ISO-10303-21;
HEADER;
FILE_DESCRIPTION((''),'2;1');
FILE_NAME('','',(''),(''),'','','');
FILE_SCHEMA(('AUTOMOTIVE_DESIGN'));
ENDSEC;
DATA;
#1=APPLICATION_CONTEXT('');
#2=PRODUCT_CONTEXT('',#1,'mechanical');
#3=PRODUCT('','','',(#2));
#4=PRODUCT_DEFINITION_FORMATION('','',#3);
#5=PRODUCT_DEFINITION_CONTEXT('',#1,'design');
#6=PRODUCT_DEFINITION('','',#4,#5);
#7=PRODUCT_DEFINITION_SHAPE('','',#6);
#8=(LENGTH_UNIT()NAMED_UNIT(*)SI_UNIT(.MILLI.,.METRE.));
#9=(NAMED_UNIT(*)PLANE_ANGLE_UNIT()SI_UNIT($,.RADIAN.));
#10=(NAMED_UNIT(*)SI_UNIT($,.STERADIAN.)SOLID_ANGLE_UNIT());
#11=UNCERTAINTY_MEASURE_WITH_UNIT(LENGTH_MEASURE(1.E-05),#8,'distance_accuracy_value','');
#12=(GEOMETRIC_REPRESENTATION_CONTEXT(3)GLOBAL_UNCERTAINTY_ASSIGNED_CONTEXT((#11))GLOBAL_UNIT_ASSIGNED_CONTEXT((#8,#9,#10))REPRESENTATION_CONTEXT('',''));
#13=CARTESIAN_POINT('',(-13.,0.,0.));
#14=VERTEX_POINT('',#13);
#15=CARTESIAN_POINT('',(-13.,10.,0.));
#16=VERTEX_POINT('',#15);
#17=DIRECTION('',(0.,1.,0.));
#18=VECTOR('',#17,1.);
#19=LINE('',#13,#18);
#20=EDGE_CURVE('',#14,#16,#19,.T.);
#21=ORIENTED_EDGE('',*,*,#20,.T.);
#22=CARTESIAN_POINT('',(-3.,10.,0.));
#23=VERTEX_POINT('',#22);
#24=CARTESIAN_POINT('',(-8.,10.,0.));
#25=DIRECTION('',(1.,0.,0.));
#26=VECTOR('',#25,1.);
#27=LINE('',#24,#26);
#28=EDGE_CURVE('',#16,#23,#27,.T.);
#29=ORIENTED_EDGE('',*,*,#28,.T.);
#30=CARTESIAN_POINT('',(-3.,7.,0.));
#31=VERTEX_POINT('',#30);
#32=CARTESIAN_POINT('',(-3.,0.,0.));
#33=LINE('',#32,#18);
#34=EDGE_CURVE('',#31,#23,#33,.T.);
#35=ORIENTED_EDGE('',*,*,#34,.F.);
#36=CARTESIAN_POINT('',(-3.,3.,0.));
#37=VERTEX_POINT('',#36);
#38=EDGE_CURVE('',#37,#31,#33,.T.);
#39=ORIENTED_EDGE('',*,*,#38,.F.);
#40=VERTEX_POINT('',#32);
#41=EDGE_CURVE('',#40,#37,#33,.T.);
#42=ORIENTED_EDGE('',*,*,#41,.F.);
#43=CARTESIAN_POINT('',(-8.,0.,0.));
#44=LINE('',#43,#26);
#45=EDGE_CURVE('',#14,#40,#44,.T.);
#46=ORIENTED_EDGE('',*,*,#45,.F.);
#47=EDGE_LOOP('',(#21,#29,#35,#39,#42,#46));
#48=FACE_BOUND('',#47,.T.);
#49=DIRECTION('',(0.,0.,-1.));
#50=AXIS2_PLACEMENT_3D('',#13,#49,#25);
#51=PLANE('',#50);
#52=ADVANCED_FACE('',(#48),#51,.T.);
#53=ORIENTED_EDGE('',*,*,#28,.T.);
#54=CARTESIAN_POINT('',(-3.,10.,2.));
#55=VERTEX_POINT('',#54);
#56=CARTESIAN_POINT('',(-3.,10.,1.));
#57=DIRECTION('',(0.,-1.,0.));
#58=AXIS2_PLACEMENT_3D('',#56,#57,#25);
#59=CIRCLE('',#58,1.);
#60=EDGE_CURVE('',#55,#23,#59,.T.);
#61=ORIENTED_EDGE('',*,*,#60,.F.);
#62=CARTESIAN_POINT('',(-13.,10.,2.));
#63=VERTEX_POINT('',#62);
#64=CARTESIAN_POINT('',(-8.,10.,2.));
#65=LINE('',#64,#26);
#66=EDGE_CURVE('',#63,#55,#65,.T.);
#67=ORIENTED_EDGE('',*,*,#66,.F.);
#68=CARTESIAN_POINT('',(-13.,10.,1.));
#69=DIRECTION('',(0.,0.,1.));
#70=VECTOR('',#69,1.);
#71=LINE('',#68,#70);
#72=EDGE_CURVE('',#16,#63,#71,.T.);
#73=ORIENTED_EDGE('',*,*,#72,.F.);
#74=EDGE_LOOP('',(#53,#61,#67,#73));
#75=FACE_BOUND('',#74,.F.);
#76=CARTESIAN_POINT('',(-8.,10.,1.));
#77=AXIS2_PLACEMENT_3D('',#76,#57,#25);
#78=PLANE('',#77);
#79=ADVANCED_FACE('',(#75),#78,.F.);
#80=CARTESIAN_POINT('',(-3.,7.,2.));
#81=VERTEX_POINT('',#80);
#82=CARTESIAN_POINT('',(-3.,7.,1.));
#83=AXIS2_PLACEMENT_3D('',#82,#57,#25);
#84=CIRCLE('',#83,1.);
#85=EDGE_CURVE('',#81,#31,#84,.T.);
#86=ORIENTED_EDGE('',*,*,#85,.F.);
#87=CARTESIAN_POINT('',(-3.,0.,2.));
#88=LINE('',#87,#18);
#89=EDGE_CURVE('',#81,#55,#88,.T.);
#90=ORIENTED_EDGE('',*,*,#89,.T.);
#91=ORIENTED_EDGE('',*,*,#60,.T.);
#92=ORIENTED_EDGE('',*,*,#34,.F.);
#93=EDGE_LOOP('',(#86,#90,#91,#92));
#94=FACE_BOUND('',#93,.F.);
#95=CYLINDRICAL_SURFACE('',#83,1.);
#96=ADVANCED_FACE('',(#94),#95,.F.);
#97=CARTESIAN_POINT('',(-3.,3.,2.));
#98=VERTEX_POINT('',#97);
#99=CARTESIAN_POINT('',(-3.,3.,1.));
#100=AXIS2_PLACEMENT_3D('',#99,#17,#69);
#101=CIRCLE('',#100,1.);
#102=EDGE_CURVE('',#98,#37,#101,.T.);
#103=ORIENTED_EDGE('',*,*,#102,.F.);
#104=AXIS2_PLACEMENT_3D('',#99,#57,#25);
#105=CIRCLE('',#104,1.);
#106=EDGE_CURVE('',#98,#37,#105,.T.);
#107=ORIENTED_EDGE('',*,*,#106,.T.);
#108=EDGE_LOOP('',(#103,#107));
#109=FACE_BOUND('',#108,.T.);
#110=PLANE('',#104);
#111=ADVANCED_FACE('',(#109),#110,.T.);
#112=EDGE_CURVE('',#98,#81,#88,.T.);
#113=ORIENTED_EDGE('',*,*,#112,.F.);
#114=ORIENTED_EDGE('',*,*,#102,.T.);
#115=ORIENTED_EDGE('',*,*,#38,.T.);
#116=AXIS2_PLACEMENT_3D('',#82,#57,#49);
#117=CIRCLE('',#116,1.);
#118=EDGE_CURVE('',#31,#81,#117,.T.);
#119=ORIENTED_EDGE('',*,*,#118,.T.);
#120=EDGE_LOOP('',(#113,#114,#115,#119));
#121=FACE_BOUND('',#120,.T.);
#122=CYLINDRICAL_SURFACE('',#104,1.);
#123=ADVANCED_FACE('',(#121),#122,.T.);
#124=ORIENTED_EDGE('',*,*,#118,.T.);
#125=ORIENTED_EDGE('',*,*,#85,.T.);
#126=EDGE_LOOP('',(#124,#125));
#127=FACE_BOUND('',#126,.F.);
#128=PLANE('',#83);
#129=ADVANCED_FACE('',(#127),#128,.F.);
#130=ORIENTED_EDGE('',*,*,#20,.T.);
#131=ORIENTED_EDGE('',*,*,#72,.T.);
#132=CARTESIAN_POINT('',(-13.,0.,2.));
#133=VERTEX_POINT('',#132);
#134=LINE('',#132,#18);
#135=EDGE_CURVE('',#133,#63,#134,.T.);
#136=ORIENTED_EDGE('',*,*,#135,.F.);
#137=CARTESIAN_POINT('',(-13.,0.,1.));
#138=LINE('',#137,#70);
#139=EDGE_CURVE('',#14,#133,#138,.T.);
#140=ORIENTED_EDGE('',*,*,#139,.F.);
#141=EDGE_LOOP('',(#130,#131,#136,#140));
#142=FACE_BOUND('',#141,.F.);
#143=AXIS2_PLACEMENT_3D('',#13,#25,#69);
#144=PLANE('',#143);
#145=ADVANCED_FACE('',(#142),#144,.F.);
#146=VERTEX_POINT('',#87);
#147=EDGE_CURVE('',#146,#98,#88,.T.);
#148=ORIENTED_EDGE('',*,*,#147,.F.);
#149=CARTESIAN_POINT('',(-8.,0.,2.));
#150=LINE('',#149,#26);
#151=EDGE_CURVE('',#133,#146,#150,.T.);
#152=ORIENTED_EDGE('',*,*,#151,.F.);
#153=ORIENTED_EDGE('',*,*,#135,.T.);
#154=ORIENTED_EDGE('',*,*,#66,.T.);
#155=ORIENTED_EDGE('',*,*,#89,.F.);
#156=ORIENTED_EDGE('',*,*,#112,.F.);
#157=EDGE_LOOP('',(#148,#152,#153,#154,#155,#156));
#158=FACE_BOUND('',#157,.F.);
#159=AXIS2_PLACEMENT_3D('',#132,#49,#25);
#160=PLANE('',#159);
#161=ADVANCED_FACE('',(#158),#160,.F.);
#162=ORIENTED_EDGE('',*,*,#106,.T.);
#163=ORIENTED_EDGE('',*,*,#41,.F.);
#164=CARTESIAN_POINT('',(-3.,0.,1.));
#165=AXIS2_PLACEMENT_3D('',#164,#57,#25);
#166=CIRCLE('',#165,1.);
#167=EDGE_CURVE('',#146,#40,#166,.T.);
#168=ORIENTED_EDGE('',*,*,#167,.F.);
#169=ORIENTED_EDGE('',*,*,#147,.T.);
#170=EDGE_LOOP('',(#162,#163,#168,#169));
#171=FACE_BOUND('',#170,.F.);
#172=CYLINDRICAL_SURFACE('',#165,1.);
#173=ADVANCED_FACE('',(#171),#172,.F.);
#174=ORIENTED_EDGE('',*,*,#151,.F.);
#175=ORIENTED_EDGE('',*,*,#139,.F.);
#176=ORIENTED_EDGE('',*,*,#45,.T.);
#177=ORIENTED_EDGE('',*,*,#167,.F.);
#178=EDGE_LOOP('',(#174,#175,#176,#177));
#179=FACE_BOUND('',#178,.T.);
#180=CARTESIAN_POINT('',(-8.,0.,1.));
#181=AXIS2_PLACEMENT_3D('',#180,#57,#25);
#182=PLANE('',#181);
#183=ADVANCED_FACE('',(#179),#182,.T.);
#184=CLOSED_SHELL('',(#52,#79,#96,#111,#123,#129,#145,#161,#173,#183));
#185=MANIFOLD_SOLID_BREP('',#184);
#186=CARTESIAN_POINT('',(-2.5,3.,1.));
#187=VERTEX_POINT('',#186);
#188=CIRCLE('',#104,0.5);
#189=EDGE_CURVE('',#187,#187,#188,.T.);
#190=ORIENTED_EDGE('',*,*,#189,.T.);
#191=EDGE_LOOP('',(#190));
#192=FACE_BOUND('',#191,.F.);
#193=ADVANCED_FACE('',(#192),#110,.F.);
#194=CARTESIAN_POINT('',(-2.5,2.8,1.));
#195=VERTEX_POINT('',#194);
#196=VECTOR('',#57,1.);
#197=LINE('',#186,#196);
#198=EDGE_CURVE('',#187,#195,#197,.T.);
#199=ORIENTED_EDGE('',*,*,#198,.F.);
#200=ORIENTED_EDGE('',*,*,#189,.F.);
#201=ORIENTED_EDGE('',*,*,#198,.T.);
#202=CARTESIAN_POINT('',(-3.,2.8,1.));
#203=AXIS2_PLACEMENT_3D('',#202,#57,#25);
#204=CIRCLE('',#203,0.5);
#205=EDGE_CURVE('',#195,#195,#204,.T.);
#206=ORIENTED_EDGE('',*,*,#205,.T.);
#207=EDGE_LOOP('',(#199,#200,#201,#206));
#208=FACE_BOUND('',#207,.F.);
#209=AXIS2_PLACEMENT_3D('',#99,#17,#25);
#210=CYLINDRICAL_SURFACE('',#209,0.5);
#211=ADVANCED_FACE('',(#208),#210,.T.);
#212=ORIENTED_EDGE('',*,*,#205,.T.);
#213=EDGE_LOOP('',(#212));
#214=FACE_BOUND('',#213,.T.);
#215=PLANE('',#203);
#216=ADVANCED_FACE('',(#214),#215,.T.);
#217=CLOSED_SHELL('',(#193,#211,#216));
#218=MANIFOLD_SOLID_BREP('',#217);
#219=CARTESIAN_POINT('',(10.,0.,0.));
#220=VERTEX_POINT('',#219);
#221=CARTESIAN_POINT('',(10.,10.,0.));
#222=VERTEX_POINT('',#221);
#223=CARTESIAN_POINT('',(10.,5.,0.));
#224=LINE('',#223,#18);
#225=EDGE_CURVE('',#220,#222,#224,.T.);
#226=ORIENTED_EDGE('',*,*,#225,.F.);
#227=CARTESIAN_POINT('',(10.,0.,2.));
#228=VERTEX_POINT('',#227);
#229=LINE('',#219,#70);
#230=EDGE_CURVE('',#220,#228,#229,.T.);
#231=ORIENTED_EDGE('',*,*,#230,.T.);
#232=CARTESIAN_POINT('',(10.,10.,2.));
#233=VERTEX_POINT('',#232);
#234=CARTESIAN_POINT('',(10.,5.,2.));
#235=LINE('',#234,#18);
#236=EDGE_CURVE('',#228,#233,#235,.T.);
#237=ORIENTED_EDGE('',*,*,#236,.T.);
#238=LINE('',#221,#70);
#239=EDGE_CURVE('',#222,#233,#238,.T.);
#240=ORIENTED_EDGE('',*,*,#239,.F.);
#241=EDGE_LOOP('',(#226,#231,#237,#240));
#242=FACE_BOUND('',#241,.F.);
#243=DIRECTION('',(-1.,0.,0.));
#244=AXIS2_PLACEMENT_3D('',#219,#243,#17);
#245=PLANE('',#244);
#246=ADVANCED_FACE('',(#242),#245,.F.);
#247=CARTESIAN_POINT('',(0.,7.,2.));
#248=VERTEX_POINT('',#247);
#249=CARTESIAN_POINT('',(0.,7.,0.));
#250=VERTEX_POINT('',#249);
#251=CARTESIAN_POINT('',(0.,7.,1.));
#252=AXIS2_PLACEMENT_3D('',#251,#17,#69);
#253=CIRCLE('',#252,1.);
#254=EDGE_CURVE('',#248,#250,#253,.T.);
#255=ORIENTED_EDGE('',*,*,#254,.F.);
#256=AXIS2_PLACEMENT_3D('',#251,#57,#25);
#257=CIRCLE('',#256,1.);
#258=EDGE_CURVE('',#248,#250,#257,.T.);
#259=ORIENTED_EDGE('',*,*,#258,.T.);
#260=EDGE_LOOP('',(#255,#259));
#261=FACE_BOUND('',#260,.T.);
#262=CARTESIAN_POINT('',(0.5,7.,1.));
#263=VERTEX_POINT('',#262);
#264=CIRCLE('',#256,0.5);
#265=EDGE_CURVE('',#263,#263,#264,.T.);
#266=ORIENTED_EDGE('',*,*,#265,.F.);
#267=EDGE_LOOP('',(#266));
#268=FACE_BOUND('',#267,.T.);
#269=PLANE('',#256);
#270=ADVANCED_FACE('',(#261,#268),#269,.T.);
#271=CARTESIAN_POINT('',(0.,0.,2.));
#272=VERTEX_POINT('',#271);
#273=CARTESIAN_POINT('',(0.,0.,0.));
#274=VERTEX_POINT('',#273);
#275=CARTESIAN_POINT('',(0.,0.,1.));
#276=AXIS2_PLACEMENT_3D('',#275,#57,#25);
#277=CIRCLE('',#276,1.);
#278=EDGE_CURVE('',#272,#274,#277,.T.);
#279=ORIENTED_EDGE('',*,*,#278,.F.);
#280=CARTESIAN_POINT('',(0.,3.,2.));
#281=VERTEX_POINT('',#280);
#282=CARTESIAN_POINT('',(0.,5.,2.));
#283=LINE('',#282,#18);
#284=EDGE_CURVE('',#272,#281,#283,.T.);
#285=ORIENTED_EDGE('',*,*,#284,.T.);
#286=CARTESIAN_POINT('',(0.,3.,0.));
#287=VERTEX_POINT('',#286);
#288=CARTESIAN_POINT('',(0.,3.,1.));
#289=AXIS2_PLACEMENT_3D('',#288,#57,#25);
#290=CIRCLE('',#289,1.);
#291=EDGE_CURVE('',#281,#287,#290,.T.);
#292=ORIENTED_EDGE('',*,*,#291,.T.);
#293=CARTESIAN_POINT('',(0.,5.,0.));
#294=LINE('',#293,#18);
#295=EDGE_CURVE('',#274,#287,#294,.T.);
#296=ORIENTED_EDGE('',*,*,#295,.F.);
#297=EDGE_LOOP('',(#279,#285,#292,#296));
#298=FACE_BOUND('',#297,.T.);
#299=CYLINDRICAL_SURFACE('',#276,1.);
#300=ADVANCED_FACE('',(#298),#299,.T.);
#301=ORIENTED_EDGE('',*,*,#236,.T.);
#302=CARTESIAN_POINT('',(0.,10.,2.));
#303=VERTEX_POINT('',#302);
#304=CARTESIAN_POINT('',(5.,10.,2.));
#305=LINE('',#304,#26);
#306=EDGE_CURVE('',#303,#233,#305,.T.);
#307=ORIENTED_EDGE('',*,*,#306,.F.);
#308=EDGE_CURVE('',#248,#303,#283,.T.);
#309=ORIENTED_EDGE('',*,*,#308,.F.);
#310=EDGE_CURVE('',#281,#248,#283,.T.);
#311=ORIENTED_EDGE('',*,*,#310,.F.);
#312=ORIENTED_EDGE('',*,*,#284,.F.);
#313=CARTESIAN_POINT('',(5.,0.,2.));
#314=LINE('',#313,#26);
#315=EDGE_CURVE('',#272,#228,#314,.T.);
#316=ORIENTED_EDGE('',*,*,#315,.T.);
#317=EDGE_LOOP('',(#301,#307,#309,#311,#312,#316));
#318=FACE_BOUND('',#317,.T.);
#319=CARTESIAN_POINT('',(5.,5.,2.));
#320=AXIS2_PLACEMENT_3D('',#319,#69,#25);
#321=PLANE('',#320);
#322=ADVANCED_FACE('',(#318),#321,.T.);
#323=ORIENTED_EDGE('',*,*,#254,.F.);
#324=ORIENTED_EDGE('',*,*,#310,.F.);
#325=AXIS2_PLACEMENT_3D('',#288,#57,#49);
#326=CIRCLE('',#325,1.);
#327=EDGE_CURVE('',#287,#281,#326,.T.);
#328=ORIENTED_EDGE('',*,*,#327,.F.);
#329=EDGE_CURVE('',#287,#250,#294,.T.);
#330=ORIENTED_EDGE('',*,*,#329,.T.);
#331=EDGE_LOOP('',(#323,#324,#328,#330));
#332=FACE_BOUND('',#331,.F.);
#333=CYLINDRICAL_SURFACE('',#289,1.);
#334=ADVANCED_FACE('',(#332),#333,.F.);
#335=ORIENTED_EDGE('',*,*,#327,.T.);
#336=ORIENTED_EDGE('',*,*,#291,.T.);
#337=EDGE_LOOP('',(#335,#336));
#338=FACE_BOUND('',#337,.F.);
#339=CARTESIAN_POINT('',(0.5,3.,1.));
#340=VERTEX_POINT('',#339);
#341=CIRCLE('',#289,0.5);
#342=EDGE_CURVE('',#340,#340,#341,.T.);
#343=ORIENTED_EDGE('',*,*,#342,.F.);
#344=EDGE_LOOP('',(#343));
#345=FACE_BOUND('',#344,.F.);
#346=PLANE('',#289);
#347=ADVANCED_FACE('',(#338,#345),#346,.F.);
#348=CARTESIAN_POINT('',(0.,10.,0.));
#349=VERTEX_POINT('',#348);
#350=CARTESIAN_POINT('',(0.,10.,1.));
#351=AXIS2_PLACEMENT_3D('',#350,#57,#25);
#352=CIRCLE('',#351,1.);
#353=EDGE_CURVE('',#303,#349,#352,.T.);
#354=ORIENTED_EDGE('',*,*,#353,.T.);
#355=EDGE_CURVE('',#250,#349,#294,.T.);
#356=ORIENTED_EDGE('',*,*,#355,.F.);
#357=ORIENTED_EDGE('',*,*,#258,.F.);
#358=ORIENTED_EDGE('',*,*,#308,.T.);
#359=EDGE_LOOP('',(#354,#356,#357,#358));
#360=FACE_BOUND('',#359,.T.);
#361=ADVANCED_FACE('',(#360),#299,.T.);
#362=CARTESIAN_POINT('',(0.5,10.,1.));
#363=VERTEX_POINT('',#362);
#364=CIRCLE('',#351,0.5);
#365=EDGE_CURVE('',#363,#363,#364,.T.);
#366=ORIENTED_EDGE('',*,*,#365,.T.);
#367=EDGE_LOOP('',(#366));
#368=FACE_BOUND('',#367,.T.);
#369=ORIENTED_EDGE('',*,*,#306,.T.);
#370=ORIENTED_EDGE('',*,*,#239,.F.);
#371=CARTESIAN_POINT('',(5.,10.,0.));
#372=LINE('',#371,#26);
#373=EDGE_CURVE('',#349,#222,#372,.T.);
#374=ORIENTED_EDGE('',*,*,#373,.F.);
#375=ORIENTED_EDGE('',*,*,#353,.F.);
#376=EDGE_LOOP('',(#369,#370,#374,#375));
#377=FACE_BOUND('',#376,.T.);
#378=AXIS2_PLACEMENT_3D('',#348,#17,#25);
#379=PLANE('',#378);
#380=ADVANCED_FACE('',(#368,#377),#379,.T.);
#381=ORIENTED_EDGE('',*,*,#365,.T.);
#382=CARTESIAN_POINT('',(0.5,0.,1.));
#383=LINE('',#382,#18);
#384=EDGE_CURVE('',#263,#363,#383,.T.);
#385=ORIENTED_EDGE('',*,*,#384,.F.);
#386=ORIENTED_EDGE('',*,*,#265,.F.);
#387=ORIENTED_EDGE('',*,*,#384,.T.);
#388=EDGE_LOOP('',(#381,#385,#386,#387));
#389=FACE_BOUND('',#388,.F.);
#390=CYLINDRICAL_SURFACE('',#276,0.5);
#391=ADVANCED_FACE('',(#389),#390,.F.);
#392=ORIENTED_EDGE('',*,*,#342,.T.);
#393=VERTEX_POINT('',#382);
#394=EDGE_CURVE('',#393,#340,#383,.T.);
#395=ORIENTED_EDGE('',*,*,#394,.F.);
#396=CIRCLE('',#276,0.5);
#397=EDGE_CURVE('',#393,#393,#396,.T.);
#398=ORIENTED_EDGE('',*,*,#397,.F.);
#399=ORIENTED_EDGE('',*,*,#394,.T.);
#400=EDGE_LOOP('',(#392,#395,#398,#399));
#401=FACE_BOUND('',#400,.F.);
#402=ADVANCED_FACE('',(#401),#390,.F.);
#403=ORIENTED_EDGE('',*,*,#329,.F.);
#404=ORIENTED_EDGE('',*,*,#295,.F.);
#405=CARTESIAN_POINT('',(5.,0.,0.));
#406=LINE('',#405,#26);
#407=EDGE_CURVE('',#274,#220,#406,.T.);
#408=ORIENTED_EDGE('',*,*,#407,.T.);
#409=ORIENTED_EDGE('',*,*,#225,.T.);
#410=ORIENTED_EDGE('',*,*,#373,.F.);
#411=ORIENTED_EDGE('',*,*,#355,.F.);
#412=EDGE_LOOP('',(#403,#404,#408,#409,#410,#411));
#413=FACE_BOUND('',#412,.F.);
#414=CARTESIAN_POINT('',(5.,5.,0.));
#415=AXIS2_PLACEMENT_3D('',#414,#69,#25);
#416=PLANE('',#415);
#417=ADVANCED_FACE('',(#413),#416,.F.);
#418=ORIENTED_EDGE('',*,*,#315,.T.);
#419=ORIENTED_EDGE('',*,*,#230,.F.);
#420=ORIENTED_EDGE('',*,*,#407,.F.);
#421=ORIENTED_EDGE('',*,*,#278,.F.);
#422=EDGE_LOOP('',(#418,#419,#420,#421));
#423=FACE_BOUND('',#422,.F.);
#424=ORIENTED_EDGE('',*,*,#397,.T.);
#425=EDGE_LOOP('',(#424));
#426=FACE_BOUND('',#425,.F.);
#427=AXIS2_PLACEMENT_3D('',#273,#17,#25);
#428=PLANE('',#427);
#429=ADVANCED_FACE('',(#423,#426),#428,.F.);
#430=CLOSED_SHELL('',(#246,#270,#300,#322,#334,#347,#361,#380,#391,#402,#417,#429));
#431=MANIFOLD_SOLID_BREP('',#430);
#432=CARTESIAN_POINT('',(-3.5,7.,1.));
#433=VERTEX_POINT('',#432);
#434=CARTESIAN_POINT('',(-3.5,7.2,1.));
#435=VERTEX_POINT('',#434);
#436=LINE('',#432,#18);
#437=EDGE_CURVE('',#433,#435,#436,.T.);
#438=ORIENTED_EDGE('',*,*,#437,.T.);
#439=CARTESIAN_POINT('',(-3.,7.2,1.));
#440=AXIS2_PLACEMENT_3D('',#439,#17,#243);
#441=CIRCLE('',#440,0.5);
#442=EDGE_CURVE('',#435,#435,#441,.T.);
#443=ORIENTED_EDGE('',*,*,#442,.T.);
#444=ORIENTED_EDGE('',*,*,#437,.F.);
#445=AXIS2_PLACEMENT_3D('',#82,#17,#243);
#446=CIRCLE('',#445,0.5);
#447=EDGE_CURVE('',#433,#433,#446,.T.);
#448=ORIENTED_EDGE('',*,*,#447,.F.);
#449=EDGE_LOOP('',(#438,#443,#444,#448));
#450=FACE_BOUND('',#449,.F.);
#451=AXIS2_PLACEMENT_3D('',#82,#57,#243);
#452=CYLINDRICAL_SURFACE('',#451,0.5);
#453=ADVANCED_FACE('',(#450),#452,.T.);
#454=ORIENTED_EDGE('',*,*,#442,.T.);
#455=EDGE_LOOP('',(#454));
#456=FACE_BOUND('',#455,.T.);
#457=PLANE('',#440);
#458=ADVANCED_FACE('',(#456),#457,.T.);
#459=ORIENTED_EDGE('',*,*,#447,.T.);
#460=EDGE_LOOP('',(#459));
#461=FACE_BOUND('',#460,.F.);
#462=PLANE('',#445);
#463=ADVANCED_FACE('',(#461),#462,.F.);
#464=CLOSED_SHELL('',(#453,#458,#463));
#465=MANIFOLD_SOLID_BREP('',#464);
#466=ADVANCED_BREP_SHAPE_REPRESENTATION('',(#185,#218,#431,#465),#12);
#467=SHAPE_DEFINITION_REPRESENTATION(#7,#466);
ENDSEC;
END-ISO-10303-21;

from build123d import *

# Parameters (mm, degrees)
SKETCH004_R         = 1
PAD004_DEPTH        = 3
SKETCH005_R         = 1
PAD005_DEPTH        = 3
SKETCH003_R         = 1
PAD003_DEPTH        = 4
SKETCH002_W         = 10
SKETCH002_H         = 2
PAD002_DEPTH        = 10
SKETCH007_R         = 0.5
PAD006_DEPTH        = 0.2
SKETCH008_R         = 0.5
PAD007_DEPTH        = 0.2
SKETCH001_R         = 1
SKETCH001_R_2       = 0.5
PAD_DEPTH           = 4
CYLINDER_R          = 1
CYLINDER_DEPTH      = 10
CYLINDER_ROLL_ANGLE = 90
BOX_W               = 10
BOX_H               = 10
BOX_DEPTH           = 2
SKETCH_R            = 1
SKETCH_R_2          = 0.5
PAD008_DEPTH        = 10


with BuildPart() as pad004:
    # Sketch004 → Pad004 (new body)
    with BuildSketch(Plane.XZ):
        with Locations((-3, 1)):
            Circle(SKETCH004_R)
    extrude(amount=-PAD004_DEPTH)


with BuildPart() as pad005:
    # Sketch005 → Pad005 (new body)
    with BuildSketch(Plane.XZ.offset(-7)):
        with Locations((-3, 1)):
            Circle(SKETCH005_R)
    extrude(amount=-PAD005_DEPTH)


with BuildPart() as pad003:
    # Sketch003 → Pad003 (new body)
    with BuildSketch(Plane.XZ.offset(-3)):
        with Locations((-3, 1)):
            Circle(SKETCH003_R)
    extrude(amount=-PAD003_DEPTH)


with BuildPart() as cut002:
    # Sketch002 → Pad002 (new body)
    with BuildSketch(Plane(origin=(-3, 0, 0), x_dir=(1, 0, 0), z_dir=(0, -1, 0))):
        with Locations((-5, 1)):
            Rectangle(SKETCH002_W, SKETCH002_H)
    extrude(amount=-PAD002_DEPTH)

    # Fusion001: union Pad003
    add(pad003.part)

    # Cut001: cut Pad005
    add(pad005.part, mode=Mode.SUBTRACT)

    # Cut002: cut Pad004
    add(pad004.part, mode=Mode.SUBTRACT)


with BuildPart() as pad006:
    # Sketch007 → Pad006 (new body)
    with BuildSketch(Plane.XZ.offset(-3)):
        with Locations((-3, 1)):
            Circle(SKETCH007_R)
    extrude(amount=PAD006_DEPTH)


with BuildPart() as pad007:
    # Sketch008 → Pad007 (new body)
    with BuildSketch(Plane(origin=(0, 7, 0), x_dir=(-1, 0, 0), z_dir=(0, 1, 0))):
        with Locations((3, 1)):
            Circle(SKETCH008_R)
    extrude(amount=PAD007_DEPTH)


with BuildPart() as pad:
    # Sketch001 → Pad (new body)
    with BuildSketch(Plane.XZ.offset(-3)):
        with Locations((0, 1)):
            Circle(SKETCH001_R)
        with Locations((0, 1)):
            Circle(SKETCH001_R_2, mode=Mode.SUBTRACT)
    extrude(amount=-PAD_DEPTH)


with BuildPart() as cylinder:
    # Cylinder → Cylinder (new body)
    with BuildSketch(Plane.XY):
        Circle(CYLINDER_R)
    extrude(amount=CYLINDER_DEPTH)


with BuildPart() as cylinder_1:
    # Cylinder roll: moved
    add(cylinder.part.rotate(Axis((0, 0, 0), (1, 0, 0)), CYLINDER_ROLL_ANGLE))


with BuildPart() as cylinder_2:
    # Cylinder placement: moved
    add(cylinder_1.part.moved(Location((0, 10, 1))))


with BuildPart() as cut:
    # Box → Box (new body)
    with BuildSketch(Plane.XY):
        with Locations((5, 5)):
            Rectangle(BOX_W, BOX_H)
    extrude(amount=BOX_DEPTH)

    # Cut: cut Cylinder
    add(cylinder_2.part, mode=Mode.SUBTRACT)


with BuildPart() as cut003:
    # Sketch → Pad008 (new body)
    with BuildSketch(Plane.XZ):
        with Locations((0, 1)):
            Circle(SKETCH_R)
        with Locations((0, 1)):
            Circle(SKETCH_R_2, mode=Mode.SUBTRACT)
    extrude(amount=-PAD008_DEPTH)

    # Fusion: union Cut
    add(cut.part)

    # Cut003: cut Pad
    add(pad.part, mode=Mode.SUBTRACT)


solid = Compound([cut002.part, pad006.part, pad007.part, cut003.part])
